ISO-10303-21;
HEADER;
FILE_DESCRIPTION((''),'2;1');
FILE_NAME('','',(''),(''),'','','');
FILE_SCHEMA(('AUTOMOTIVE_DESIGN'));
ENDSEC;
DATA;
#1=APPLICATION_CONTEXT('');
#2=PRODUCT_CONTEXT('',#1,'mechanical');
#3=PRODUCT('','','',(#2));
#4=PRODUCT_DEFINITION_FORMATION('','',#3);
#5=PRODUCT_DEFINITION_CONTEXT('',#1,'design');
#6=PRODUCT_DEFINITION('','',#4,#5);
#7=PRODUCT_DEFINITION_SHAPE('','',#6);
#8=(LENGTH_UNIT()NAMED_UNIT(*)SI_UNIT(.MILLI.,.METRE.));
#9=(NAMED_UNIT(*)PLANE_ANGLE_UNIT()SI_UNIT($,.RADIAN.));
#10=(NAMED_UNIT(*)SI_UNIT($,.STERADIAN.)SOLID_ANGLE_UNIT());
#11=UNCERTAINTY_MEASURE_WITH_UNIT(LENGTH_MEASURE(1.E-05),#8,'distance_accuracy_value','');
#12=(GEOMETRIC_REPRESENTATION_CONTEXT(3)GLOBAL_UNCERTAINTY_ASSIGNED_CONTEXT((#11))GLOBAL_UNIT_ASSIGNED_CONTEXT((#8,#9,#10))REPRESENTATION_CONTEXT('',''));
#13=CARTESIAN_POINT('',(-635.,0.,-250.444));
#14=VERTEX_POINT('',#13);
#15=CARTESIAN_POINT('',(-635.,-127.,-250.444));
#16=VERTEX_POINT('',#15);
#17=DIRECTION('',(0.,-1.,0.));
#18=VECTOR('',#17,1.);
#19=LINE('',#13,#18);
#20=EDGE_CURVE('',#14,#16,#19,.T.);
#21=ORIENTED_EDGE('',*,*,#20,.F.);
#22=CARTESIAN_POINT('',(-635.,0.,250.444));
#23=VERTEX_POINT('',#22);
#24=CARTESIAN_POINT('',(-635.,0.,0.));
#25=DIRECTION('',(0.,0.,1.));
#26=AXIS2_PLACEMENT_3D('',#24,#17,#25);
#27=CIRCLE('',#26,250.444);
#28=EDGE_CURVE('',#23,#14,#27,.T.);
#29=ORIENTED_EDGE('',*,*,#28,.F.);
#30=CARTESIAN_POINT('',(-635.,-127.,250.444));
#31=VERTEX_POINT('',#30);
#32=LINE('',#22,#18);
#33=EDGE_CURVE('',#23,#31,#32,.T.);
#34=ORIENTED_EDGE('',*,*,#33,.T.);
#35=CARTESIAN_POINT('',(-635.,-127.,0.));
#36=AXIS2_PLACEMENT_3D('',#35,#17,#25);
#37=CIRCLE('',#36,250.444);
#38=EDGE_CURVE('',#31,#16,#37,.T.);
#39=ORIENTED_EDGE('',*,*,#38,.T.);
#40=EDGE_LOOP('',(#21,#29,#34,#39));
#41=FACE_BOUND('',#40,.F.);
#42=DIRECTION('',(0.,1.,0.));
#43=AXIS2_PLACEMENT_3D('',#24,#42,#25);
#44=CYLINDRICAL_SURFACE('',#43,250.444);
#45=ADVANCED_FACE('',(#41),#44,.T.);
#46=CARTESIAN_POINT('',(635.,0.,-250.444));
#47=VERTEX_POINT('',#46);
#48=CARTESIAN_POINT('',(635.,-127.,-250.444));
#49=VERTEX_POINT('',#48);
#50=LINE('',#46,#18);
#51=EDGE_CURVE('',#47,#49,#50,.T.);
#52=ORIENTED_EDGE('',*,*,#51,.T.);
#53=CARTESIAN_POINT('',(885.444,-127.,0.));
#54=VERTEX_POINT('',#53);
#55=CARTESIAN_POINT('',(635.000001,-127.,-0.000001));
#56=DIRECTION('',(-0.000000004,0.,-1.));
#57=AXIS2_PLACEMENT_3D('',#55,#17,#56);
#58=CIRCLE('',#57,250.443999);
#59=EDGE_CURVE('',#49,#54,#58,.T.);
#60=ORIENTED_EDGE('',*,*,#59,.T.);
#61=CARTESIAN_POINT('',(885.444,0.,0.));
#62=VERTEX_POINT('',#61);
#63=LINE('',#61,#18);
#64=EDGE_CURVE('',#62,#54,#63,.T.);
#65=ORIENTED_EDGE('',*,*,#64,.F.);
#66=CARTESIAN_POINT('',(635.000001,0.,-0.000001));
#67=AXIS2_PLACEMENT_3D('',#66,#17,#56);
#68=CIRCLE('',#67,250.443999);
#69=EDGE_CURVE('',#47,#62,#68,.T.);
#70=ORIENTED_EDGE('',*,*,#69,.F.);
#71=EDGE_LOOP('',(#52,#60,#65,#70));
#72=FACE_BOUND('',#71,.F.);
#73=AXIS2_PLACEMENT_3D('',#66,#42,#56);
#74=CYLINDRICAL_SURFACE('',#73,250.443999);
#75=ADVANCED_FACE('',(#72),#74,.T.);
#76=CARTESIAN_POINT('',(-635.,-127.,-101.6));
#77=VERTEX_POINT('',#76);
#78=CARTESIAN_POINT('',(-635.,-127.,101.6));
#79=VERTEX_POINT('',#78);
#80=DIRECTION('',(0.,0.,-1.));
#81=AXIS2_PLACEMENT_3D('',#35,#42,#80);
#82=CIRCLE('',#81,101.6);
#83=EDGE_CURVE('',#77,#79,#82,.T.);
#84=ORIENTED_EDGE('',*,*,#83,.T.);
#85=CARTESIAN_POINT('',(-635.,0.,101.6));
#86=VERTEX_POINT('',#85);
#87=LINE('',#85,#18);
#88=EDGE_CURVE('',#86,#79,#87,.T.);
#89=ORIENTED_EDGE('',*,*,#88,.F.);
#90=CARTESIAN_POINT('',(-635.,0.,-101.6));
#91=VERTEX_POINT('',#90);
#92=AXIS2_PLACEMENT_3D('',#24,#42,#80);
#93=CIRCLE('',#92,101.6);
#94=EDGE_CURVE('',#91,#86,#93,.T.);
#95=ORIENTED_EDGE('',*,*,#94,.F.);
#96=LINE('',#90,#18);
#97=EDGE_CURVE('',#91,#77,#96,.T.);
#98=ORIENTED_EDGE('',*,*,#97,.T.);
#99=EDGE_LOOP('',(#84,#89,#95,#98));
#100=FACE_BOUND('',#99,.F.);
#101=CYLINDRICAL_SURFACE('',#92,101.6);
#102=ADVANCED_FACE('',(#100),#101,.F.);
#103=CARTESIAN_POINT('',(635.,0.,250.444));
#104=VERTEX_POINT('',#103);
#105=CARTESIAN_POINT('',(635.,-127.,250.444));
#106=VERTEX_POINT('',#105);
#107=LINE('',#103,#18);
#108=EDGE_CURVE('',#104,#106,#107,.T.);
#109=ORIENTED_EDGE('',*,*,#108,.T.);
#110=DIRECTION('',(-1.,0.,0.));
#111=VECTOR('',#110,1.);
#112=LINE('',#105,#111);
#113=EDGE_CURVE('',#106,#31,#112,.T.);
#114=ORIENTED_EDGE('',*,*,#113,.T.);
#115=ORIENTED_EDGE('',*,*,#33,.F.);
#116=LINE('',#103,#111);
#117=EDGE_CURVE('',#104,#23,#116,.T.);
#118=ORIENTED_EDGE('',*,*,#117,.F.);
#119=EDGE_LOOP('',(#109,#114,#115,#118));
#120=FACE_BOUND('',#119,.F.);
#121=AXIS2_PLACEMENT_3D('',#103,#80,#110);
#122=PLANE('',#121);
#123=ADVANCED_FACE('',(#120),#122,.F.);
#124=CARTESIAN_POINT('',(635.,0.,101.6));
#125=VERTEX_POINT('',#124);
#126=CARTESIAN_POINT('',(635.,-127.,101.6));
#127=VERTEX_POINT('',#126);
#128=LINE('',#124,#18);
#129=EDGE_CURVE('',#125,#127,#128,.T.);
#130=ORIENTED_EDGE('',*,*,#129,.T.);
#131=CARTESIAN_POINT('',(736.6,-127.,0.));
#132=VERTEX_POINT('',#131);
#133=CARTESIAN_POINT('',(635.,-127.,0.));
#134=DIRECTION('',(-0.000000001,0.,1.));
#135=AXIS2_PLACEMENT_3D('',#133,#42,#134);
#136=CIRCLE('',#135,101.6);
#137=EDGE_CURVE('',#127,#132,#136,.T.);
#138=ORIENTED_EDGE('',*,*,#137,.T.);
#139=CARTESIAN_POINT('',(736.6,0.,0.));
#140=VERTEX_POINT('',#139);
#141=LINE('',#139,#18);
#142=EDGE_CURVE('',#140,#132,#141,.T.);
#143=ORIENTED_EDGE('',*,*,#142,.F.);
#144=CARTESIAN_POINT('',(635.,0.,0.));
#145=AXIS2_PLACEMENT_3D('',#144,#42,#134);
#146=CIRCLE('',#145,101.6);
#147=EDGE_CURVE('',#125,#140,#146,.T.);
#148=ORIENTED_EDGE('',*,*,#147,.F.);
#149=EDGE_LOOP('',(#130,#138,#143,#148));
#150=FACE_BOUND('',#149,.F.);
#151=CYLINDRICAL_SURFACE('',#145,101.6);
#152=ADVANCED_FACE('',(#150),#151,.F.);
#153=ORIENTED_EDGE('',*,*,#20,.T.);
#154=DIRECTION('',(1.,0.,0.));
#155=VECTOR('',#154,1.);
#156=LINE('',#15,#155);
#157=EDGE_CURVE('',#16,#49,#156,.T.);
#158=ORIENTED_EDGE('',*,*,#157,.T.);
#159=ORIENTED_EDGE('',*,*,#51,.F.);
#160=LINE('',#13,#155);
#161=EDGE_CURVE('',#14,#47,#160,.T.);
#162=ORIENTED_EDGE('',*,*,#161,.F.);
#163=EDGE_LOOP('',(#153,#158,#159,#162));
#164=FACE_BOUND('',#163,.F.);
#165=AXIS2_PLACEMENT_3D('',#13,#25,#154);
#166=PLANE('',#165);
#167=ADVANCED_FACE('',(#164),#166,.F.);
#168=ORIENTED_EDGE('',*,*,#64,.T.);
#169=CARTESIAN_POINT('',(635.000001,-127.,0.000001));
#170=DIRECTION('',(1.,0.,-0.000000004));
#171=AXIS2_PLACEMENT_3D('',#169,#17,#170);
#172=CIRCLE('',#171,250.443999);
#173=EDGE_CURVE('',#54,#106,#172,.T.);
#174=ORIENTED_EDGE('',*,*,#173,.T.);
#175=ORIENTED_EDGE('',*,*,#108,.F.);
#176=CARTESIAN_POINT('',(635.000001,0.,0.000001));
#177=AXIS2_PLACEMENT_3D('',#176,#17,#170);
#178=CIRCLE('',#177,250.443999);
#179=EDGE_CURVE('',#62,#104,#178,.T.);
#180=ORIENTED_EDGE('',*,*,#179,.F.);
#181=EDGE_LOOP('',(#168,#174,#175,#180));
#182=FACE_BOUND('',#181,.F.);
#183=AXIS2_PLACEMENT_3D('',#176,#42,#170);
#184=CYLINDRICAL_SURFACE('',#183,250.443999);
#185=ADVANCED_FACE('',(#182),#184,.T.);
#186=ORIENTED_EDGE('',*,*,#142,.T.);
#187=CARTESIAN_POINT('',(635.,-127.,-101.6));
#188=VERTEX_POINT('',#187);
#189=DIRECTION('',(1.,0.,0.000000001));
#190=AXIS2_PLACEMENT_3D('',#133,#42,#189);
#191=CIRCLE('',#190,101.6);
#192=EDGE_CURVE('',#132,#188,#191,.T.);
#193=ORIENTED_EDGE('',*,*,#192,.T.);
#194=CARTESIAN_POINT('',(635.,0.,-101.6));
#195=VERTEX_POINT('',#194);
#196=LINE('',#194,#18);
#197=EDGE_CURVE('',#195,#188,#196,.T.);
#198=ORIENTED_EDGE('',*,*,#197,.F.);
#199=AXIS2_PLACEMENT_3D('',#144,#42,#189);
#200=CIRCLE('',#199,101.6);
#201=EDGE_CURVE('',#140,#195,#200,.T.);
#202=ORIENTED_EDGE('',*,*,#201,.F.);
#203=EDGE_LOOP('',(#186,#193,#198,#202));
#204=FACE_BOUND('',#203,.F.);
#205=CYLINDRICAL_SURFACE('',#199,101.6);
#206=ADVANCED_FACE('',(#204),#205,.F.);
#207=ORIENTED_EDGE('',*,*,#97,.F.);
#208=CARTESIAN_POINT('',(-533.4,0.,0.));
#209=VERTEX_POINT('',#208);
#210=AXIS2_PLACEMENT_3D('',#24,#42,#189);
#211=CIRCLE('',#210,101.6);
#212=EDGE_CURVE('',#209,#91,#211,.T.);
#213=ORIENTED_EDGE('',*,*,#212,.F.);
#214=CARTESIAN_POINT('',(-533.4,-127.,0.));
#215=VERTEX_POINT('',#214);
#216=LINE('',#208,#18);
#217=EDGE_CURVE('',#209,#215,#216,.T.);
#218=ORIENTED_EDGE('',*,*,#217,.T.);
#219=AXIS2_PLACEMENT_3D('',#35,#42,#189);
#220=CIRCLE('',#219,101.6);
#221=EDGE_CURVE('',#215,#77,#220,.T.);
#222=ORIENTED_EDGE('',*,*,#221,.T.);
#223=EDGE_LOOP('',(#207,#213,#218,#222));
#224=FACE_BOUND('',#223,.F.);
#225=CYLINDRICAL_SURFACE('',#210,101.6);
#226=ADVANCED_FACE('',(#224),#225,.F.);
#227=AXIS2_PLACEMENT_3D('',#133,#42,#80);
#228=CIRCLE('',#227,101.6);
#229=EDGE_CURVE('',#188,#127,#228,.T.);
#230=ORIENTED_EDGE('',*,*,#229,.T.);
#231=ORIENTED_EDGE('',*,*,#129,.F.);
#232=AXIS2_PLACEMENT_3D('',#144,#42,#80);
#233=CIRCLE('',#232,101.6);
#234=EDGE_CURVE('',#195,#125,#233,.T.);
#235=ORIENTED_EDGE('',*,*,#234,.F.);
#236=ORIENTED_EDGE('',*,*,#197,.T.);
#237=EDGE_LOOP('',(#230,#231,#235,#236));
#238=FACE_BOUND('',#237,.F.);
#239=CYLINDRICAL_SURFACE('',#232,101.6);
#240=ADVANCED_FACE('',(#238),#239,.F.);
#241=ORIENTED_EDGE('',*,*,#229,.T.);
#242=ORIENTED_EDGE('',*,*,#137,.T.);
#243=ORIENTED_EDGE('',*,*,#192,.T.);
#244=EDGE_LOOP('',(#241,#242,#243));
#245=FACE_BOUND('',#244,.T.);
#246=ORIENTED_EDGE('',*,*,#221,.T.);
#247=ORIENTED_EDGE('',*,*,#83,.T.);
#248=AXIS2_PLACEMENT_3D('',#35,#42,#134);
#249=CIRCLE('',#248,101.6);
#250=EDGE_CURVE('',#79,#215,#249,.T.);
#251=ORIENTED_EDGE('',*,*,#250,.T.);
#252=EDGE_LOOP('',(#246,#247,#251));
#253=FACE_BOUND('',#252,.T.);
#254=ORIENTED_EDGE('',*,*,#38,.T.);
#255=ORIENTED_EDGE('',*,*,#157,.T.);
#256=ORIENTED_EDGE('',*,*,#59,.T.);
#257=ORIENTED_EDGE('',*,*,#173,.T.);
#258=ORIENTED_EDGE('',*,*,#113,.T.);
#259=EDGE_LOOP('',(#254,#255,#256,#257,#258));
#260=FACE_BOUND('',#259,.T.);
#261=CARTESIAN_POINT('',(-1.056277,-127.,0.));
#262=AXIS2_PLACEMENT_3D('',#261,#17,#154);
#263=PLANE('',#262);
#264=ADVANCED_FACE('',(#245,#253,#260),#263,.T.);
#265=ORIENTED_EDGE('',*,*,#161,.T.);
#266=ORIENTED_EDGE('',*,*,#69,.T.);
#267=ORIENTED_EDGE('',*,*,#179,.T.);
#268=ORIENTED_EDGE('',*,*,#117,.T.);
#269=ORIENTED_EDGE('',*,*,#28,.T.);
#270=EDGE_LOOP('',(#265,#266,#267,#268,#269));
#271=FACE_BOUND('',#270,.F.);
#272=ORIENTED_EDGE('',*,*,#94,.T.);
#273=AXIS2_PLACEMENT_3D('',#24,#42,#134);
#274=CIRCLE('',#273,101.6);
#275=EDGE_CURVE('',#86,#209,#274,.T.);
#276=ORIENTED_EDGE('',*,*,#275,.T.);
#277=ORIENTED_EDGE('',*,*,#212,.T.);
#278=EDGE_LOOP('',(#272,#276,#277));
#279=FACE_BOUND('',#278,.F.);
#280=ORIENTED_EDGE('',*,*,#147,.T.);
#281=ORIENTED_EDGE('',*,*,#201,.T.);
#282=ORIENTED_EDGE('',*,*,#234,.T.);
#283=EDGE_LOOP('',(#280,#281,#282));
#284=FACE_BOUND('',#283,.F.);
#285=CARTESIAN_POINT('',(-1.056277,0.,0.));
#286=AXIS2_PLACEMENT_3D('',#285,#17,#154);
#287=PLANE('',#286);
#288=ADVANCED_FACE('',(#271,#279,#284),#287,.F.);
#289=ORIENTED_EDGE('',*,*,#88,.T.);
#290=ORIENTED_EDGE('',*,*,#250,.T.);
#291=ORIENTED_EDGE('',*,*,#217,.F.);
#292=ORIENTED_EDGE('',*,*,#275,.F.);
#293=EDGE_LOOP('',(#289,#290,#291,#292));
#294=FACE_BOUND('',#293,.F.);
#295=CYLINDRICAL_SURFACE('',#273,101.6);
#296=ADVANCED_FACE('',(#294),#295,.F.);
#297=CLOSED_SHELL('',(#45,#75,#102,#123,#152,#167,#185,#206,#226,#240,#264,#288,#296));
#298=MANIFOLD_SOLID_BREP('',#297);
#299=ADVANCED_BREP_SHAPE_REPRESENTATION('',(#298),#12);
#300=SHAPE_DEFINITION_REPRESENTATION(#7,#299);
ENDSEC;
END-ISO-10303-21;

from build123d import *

# Parameters (mm, degrees)
F1_DEPTH = 127


with BuildPart() as f1:
    # F0 (on Front) → F1 (new body)
    with BuildSketch(Plane.XZ):
        with BuildLine():
            Line((635, 250.444), (-635, 250.444))
            ThreePointArc((-635, 250.444), (-457.909349, 177.090651), (-384.556, 0))
            ThreePointArc((-384.556, 0), (-457.909349, -177.090651), (-635, -250.444))
            Line((-635, -250.444), (635, -250.444))
            ThreePointArc((635, -250.444), (384.556, 0), (635, 250.444))
        make_face()
        with BuildLine():
            Line((-635, 101.6), (-635, 250.444))
            ThreePointArc((-635, 250.444), (-885.444, 0), (-635, -250.444))
            Line((-635, -250.444), (-635, -101.6))
            ThreePointArc((-635, -101.6), (-736.6, 0), (-635, 101.6))
        make_face()
        with BuildLine():
            ThreePointArc((-384.556, 0), (-457.909349, 177.090651), (-635, 250.444))
            Line((-635, 250.444), (-635, 101.6))
            ThreePointArc((-635, 101.6), (-563.157951, 71.842049), (-533.4, 0))
            ThreePointArc((-533.4, 0), (-563.157951, -71.842049), (-635, -101.6))
            Line((-635, -101.6), (-635, -250.444))
            ThreePointArc((-635, -250.444), (-457.909349, -177.090651), (-384.556, 0))
        make_face()
        with BuildLine():
            Line((635, 101.6), (635, 250.444))
            ThreePointArc((635, 250.444), (384.556, 0), (635, -250.444))
            Line((635, -250.444), (635, -101.6))
            ThreePointArc((635, -101.6), (533.4, 0), (635, 101.6))
        make_face()
        with BuildLine():
            ThreePointArc((885.444, 0), (812.090651, 177.090651), (635, 250.444))
            Line((635, 250.444), (635, 101.6))
            ThreePointArc((635, 101.6), (706.842049, 71.842049), (736.6, 0))
            ThreePointArc((736.6, 0), (706.842049, -71.842049), (635, -101.6))
            Line((635, -101.6), (635, -250.444))
            ThreePointArc((635, -250.444), (812.090651, -177.090651), (885.444, 0))
        make_face()
    extrude(amount=F1_DEPTH)


solid = f1.part
